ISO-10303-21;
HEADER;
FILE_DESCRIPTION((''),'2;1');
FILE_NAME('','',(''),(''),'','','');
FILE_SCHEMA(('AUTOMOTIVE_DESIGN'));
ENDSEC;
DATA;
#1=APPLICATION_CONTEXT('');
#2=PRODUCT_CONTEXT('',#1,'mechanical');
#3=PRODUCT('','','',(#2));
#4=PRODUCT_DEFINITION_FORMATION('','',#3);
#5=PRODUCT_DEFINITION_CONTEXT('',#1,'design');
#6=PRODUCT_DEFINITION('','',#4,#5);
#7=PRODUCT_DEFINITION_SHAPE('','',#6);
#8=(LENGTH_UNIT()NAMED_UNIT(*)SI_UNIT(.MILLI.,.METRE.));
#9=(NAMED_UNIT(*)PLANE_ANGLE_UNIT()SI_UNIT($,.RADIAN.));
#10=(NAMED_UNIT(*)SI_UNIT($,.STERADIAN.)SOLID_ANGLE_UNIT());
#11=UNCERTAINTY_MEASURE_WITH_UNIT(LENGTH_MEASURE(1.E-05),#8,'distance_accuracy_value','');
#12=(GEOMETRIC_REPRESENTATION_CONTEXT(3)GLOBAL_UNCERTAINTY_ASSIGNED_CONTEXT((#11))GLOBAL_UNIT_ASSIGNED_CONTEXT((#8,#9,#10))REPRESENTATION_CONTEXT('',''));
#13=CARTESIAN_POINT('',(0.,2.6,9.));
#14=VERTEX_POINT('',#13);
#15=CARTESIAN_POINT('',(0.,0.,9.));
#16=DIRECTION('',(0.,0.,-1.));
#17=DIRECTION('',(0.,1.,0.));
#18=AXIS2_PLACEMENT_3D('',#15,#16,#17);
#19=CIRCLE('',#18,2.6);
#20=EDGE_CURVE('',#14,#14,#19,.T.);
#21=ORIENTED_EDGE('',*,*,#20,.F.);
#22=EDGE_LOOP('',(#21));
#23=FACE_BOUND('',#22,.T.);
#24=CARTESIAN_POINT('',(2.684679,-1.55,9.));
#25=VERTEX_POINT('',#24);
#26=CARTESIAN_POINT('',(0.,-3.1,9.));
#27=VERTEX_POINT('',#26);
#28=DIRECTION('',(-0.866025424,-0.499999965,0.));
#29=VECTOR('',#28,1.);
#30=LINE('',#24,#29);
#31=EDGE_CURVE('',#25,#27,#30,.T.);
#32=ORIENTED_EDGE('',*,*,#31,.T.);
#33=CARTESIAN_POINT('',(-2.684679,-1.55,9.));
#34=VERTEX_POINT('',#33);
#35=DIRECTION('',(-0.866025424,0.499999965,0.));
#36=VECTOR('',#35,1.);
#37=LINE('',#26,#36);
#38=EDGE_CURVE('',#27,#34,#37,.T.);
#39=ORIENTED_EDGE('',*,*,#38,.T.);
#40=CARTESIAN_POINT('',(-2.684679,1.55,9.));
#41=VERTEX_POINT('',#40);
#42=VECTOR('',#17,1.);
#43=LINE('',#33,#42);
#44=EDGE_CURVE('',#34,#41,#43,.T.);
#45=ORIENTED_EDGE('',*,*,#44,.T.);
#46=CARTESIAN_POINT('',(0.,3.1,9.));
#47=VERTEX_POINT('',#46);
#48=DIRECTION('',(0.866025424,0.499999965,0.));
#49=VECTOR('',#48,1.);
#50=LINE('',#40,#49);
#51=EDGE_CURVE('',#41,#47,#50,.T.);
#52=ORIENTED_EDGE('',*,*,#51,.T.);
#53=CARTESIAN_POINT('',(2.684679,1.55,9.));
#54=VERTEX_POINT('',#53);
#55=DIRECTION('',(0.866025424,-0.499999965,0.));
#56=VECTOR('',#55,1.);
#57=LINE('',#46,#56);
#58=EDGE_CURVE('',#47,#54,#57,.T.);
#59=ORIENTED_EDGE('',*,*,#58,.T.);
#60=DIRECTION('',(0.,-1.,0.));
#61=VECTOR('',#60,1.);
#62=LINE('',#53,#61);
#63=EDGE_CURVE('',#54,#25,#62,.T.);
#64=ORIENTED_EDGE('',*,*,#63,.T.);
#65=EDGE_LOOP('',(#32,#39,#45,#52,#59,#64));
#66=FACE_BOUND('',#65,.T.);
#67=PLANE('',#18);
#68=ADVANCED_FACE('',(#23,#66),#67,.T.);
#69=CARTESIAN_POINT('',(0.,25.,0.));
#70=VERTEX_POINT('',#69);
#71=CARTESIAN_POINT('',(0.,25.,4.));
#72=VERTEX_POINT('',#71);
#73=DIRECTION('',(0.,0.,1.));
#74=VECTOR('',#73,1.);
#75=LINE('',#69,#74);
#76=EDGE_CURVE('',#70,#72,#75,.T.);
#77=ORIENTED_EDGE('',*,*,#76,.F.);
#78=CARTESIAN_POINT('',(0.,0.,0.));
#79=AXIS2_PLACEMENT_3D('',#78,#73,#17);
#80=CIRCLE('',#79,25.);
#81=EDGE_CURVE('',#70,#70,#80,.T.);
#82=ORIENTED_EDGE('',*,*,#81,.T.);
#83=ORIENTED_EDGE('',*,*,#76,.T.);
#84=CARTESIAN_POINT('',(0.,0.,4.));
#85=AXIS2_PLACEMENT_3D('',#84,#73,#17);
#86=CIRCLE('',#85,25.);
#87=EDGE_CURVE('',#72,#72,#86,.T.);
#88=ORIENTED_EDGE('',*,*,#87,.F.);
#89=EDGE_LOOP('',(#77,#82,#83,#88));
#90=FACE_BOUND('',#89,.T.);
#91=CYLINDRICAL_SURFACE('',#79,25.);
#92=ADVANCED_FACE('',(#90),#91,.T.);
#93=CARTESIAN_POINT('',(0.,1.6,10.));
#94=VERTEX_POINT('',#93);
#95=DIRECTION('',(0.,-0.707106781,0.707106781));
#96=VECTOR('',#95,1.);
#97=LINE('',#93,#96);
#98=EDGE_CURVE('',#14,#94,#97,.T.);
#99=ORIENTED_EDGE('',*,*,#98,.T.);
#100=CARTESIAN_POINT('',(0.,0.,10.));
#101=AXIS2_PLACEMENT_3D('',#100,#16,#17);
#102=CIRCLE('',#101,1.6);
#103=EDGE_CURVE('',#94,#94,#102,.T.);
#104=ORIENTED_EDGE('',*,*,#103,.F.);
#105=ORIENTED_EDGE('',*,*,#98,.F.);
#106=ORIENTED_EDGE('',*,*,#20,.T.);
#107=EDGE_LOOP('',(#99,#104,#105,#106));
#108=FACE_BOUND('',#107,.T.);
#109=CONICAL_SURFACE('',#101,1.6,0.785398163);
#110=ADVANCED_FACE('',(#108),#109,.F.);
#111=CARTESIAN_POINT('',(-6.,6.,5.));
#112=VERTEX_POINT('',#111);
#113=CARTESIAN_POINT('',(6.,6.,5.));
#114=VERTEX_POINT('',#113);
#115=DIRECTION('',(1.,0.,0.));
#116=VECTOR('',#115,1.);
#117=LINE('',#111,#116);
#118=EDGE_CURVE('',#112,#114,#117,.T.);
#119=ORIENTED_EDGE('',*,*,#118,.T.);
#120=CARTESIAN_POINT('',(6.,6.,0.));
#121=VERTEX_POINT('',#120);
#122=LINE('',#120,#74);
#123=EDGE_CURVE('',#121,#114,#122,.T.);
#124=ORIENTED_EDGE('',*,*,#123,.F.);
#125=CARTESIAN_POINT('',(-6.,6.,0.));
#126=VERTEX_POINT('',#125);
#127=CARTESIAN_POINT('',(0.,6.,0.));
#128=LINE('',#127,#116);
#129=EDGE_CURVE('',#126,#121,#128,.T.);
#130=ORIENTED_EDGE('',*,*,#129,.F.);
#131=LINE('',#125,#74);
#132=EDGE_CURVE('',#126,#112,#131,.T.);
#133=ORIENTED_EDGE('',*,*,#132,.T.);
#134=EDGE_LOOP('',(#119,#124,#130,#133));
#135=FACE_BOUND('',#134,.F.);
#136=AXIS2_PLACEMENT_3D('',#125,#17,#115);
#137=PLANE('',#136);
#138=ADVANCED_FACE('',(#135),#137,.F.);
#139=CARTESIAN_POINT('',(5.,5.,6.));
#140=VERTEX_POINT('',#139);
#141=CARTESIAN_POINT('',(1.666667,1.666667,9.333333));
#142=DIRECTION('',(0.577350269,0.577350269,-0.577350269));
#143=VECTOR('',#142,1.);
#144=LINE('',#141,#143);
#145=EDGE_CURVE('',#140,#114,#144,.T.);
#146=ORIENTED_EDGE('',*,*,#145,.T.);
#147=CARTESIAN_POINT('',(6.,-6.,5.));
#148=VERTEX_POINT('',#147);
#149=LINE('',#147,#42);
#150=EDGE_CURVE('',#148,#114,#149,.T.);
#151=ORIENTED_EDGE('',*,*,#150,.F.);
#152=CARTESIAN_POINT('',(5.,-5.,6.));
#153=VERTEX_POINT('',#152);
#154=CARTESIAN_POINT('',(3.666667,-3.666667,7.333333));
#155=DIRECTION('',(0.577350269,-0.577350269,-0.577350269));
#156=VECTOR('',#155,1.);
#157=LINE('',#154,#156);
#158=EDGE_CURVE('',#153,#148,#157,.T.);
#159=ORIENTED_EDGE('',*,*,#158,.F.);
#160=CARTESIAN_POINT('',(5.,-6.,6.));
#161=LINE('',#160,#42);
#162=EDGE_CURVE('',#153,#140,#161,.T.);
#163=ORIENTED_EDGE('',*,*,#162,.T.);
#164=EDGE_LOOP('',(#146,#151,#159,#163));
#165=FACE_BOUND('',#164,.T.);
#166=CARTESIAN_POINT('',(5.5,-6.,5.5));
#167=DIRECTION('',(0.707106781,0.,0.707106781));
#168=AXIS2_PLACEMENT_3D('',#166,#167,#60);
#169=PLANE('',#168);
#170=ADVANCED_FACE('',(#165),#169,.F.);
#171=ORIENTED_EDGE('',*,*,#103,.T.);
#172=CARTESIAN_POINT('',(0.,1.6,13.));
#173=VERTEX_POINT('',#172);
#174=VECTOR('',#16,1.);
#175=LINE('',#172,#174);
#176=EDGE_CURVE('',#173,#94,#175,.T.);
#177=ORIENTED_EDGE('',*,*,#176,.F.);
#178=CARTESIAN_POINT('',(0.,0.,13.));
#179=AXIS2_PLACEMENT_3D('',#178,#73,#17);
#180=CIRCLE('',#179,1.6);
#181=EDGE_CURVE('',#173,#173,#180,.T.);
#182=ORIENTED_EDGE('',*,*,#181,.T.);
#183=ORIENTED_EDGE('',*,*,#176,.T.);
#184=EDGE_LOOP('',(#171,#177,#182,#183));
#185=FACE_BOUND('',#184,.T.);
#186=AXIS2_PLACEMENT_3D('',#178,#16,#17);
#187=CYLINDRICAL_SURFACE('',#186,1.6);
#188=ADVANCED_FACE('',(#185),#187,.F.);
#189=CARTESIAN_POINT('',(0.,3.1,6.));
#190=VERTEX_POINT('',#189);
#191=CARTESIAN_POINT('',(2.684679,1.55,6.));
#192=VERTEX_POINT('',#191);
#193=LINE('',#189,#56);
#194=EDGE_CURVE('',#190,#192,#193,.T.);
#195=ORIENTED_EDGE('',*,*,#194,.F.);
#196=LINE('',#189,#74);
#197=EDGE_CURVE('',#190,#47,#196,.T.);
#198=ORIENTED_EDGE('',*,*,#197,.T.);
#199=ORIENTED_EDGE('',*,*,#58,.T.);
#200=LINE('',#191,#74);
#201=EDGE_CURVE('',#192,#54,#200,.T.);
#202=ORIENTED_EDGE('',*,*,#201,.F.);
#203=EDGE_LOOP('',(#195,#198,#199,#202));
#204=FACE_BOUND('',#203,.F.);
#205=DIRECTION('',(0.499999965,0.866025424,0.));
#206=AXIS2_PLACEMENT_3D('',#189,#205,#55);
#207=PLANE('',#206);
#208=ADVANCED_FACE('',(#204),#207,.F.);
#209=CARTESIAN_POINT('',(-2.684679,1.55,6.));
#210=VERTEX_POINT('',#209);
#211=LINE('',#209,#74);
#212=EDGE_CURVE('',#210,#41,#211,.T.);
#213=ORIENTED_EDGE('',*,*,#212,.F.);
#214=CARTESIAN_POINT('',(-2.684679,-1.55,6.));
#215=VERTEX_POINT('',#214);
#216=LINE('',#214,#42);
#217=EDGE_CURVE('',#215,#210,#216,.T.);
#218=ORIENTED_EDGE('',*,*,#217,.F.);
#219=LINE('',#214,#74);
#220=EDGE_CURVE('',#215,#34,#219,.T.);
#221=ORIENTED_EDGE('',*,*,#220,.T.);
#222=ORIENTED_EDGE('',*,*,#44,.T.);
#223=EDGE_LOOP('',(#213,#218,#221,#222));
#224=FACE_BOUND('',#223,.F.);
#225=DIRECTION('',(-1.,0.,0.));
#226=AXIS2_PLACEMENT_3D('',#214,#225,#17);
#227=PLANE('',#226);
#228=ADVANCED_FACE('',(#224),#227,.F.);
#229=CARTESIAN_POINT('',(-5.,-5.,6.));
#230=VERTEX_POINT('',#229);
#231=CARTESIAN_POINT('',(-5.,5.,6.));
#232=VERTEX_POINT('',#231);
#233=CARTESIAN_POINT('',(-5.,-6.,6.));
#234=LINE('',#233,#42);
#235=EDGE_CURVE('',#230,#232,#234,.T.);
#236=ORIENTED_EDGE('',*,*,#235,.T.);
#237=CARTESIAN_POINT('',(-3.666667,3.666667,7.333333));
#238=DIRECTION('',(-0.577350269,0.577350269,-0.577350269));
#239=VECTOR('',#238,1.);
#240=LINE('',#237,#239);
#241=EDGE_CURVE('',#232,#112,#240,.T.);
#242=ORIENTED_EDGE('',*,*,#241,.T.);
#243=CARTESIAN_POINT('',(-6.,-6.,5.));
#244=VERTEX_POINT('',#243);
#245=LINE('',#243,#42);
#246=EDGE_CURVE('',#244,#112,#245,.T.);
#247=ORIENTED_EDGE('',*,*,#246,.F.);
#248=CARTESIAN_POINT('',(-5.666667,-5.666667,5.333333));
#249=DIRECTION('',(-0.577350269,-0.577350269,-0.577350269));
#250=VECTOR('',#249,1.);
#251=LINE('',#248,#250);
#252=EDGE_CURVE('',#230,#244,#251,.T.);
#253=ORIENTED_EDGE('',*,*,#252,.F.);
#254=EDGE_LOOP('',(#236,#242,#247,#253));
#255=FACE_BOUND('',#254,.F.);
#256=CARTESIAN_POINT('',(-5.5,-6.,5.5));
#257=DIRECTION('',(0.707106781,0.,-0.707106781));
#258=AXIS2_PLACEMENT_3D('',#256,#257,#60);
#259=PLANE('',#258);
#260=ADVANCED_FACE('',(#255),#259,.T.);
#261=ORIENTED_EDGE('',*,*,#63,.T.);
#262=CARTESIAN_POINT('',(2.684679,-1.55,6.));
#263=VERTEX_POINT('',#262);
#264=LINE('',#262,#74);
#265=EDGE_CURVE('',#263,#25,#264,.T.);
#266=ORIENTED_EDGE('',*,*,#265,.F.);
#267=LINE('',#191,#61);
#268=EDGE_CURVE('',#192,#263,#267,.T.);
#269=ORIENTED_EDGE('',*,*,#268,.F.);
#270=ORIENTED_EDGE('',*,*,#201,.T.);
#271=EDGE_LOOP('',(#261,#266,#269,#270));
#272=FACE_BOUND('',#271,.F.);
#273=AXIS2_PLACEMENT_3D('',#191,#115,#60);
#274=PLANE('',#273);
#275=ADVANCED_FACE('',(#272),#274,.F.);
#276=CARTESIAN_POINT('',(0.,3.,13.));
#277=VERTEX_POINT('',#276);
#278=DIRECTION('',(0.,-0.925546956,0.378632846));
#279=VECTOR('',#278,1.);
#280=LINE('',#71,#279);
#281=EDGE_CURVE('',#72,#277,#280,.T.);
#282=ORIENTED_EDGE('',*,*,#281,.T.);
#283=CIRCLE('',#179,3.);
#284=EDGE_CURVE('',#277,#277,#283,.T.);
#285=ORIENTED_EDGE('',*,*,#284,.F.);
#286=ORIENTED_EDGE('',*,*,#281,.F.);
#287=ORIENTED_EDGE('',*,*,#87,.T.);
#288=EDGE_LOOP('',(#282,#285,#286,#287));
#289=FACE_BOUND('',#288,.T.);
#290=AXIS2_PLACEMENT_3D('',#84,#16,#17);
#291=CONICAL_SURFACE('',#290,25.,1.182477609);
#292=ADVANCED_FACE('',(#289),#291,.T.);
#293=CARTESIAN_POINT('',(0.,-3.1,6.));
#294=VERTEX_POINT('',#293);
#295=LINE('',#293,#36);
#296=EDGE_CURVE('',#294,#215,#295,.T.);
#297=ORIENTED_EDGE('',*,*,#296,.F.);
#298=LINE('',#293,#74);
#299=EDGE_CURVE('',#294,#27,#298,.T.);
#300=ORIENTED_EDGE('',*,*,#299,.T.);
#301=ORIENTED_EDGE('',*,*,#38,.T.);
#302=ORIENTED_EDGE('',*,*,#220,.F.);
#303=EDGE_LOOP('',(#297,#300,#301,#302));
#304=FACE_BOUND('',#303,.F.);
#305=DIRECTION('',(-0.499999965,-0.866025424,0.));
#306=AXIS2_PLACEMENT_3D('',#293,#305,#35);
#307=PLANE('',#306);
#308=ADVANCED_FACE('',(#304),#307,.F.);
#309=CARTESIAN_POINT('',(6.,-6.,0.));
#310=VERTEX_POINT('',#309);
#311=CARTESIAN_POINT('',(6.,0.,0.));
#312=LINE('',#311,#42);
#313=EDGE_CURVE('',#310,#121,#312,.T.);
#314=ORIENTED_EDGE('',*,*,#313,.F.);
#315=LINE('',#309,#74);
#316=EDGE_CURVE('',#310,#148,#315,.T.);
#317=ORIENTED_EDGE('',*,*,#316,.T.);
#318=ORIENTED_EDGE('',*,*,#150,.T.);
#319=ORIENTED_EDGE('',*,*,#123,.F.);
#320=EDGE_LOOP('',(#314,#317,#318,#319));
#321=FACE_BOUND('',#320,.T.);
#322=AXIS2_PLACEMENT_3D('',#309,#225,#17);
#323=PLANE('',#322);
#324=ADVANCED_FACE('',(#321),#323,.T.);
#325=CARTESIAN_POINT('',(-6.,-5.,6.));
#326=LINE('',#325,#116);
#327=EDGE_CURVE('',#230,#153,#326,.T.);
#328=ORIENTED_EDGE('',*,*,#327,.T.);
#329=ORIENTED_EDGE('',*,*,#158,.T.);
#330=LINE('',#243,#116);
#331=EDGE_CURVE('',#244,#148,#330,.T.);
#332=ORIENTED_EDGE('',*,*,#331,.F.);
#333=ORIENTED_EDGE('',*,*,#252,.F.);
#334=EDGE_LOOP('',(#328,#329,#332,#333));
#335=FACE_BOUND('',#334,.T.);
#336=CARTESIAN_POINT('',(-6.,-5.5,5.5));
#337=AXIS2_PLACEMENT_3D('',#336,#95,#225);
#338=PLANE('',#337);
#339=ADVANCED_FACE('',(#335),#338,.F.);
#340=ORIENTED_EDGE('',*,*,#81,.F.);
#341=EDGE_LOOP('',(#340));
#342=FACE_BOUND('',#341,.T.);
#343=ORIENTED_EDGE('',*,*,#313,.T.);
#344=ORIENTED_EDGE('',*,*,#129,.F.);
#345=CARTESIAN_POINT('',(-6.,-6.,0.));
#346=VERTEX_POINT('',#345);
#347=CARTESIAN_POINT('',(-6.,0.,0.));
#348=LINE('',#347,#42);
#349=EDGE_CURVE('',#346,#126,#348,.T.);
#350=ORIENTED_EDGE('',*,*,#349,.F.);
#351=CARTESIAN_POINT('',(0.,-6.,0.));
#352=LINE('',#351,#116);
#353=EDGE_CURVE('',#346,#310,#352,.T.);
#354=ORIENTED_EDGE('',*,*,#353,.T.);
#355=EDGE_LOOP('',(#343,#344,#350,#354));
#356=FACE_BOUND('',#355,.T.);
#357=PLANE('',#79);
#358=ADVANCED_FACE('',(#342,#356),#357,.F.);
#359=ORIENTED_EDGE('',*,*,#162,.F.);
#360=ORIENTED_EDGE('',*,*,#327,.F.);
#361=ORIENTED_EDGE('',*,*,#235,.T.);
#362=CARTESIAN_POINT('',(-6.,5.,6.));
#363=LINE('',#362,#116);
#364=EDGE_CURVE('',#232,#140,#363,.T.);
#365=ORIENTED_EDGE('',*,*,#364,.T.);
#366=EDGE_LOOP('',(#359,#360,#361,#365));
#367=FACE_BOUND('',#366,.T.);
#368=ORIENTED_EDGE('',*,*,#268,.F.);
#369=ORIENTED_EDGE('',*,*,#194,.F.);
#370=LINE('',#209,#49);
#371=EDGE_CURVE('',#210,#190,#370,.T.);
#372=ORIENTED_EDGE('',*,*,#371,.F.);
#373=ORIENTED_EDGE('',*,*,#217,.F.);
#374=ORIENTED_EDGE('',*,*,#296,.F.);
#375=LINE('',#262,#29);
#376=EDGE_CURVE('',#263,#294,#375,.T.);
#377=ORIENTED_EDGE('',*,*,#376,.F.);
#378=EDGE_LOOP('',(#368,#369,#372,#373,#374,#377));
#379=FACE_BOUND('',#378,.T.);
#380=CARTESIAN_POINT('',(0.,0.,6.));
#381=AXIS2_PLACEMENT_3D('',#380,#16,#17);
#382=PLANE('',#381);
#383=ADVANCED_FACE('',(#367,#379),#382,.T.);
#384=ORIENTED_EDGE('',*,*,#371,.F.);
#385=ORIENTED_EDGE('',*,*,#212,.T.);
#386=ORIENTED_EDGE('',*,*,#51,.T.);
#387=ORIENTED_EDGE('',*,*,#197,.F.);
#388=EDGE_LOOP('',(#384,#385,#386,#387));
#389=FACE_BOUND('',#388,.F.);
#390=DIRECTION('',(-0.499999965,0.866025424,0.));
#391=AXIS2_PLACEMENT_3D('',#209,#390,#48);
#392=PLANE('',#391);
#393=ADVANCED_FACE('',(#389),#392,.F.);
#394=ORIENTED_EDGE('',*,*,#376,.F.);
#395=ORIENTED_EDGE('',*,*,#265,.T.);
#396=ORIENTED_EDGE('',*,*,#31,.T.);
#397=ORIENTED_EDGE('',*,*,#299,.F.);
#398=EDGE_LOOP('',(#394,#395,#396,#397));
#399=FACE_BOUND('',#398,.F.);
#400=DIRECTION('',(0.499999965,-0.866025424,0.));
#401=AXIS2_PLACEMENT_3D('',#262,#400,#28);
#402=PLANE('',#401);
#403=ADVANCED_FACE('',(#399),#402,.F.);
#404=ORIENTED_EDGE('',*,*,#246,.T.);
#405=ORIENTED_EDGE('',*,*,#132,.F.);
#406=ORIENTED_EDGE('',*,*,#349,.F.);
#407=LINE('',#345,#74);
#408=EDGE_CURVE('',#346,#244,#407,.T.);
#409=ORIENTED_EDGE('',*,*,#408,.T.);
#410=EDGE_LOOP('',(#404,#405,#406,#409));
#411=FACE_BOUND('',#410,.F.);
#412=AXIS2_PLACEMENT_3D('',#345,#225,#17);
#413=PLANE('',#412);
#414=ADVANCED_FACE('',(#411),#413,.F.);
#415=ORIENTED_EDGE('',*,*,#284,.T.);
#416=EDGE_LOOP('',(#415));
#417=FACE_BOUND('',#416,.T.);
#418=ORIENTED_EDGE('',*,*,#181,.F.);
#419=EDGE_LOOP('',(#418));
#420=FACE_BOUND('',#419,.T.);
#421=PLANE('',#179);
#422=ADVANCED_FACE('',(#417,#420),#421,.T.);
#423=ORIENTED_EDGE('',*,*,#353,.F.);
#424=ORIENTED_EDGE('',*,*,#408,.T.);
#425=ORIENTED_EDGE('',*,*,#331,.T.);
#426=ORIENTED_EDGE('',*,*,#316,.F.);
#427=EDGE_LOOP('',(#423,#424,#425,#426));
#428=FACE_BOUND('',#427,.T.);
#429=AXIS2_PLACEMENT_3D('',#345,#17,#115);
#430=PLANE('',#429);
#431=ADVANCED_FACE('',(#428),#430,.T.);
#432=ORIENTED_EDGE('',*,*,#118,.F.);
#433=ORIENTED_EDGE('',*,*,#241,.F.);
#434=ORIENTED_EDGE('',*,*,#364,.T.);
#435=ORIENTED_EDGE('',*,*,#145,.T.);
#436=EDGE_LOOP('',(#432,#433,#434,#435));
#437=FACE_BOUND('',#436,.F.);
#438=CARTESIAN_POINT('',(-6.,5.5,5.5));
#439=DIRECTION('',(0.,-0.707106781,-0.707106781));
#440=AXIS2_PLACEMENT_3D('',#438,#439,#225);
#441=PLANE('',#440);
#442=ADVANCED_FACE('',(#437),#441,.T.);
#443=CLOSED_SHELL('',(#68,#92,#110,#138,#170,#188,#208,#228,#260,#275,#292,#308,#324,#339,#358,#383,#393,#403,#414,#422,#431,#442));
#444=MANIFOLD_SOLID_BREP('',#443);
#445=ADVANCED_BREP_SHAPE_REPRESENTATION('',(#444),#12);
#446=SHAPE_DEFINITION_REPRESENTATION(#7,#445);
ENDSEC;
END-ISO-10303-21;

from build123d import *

# Parameters (mm, degrees)
SKETCH_W        = 12
SKETCH_H        = 12
POCKET_DEPTH    = 6
POCKET001_DEPTH = 3
CHAMFER_SIZE    = 1
CHAMFER001_SIZE = 1


with BuildPart() as part:
    # Sketch002 → Revolution (revolve)
    with BuildSketch(Plane.YZ):
        Polygon((1.6, 13), (1.6, 0), (25, 0), (25, 4), (3, 13), align=None)
    revolve(axis=Axis((0, 0, 0), (0, 0, 1)))

    # Sketch (on Face4 of Revolution) → Pocket (cut)
    with BuildSketch(Plane.YX):
        Rectangle(SKETCH_W, SKETCH_H)
    extrude(amount=-POCKET_DEPTH, mode=Mode.SUBTRACT)

    # Sketch003 (on Face2 of Pocket) → Pocket001 (cut)
    with BuildSketch(Plane.YX.offset(-6)):
        Polygon((3.1, 0), (1.55, 2.684679), (-1.55, 2.684679), (-3.1, 0), (-1.55, -2.684679), (1.55, -2.684679), align=None)
    extrude(amount=-POCKET001_DEPTH, mode=Mode.SUBTRACT)

    # Chamfer
    chamfer_edges = [part.edges().sort_by_distance(p)[0] for p in [
        (0, -6, 6),
        (0, 6, 6),
        (-6, 0, 6),
        (6, 0, 6),
    ]]
    chamfer(chamfer_edges, length=CHAMFER_SIZE)

    # Chamfer001
    chamfer001_edges = [part.edges().sort_by_distance(p)[0] for p in [
        (0, -1.6, 9),
    ]]
    chamfer(chamfer001_edges, length=CHAMFER001_SIZE)


solid = part.part
